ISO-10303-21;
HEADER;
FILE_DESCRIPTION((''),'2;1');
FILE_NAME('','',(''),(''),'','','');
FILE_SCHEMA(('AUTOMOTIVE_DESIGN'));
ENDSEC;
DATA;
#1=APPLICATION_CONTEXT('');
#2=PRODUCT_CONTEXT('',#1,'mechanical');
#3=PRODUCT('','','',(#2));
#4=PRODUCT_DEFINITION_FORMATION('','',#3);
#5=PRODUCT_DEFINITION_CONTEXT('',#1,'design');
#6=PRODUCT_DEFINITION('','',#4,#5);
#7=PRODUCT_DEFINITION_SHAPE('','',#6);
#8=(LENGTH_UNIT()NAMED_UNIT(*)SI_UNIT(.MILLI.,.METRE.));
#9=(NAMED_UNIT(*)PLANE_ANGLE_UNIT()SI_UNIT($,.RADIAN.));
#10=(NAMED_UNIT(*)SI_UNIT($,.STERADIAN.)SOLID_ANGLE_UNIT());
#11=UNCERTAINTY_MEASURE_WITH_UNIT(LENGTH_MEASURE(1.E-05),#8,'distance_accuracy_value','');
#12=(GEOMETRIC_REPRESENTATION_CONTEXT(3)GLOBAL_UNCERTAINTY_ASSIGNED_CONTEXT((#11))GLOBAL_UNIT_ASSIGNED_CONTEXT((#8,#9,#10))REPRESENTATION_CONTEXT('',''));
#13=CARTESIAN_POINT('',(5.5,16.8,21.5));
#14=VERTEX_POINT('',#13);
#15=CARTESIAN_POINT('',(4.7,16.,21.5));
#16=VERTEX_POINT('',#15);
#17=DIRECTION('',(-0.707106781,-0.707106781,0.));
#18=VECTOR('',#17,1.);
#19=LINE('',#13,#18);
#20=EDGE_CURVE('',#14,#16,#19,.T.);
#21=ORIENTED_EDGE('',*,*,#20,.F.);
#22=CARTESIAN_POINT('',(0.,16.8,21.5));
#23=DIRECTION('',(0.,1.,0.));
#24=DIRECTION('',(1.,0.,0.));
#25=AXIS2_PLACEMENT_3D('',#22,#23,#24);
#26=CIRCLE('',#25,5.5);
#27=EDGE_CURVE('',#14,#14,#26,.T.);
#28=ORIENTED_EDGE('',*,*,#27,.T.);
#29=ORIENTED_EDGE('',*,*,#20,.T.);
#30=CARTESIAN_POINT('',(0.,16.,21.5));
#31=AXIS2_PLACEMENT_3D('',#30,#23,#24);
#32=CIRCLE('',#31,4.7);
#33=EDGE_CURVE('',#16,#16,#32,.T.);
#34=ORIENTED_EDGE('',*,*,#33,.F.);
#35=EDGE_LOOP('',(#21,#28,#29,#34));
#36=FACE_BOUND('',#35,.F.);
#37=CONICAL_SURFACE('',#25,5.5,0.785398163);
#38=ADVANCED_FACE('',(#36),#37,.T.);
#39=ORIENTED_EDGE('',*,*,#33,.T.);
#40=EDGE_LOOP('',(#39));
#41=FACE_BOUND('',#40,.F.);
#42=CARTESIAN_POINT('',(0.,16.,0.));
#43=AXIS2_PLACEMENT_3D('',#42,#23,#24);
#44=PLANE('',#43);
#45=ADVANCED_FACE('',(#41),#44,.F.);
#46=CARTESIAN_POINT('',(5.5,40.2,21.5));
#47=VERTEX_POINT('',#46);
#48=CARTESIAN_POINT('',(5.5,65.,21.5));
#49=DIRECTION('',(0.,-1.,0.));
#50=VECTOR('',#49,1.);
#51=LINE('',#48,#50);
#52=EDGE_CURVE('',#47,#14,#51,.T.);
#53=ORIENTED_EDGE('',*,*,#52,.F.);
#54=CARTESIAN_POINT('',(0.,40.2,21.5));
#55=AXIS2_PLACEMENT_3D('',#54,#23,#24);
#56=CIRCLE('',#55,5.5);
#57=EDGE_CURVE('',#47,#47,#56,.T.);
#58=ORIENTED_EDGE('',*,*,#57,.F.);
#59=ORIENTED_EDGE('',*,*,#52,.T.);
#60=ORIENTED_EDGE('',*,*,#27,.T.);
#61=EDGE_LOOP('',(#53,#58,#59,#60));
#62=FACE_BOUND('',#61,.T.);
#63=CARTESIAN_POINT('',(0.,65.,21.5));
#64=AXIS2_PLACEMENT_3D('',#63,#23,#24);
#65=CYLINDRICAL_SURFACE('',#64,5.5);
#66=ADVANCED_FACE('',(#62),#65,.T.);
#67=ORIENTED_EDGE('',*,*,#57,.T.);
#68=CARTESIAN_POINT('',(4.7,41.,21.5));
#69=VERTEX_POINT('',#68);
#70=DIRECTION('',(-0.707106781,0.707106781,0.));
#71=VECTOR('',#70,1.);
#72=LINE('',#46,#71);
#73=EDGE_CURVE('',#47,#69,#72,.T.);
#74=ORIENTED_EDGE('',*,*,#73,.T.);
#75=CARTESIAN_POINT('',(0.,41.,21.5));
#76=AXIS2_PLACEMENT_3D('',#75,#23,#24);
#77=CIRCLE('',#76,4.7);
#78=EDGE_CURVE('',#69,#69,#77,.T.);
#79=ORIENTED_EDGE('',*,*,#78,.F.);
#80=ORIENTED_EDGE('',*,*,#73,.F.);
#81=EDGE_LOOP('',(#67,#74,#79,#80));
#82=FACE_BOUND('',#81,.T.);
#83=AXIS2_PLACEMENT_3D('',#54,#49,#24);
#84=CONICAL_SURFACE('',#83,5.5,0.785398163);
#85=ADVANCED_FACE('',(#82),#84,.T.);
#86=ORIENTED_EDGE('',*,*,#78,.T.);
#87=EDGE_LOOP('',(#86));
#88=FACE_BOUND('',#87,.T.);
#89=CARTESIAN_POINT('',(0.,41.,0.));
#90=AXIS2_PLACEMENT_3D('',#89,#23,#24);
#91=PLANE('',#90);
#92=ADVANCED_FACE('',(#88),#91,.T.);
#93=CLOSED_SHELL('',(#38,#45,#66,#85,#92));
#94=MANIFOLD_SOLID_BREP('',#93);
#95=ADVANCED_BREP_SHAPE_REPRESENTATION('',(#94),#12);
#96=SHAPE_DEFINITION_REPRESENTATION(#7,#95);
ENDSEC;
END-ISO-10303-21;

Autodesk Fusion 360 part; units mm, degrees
sketch "PinWay" plane through (0, 65, 0) normal (0, 1, 0) x (1, 0, 0)
  line L0 (0, 0) -> (0, -30) construction
  line L1 (0, -30) -> (4.125, -30)
  line L2 (4.125, -30) -> (4.125, -25.8571)
  line L3 (-4.125, -30) -> (-4.125, -25.8571)
  line L4 (0, -30) -> (-4.125, -30)
  arc A0 (4.125, -25.8571) -> (-4.125, -25.8571) centre (0, -21.5) ccw
  circle A1 centre (0, -21.5) radius 5.5
  circle A2 centre (0, -21.5) radius 3
  dimension "d1" = 0
  dimension "d2" = 0
  dimension "d3" = 0
  dimension "d4" = 0
  dimension "d5" = 0
  dimension "d6" = 0
extrude "Extrude1" add sketch "PinWay" against normal blind 49 contours A1 | A2
extrude "Extrude2" cut 1 faces at (0.5081, 65, 24.6232) along direction (0, -1, 0) blind 24
chamfer "Chamfer1" distance 0.8 angle 45 2 edges at (-5.1278, 41, 19.5111) (-5.1278, 16, 19.5111)
equation "d156 = TopPinBlank"
equation "d158 = TopPinBlank + TopPinLength"
equation "TopPinLength = 25 mm"
equation "TopPinBlank = -49 mm"
equation "d1 = PinWayDiameter"
equation "d2 = PinWayDepth"
equation "d3 = BodyThickness"
equation "d4 = PinWayOpening / 2"
equation "d5 = Pin"
equation "d6 = SpoolPinCenter"
